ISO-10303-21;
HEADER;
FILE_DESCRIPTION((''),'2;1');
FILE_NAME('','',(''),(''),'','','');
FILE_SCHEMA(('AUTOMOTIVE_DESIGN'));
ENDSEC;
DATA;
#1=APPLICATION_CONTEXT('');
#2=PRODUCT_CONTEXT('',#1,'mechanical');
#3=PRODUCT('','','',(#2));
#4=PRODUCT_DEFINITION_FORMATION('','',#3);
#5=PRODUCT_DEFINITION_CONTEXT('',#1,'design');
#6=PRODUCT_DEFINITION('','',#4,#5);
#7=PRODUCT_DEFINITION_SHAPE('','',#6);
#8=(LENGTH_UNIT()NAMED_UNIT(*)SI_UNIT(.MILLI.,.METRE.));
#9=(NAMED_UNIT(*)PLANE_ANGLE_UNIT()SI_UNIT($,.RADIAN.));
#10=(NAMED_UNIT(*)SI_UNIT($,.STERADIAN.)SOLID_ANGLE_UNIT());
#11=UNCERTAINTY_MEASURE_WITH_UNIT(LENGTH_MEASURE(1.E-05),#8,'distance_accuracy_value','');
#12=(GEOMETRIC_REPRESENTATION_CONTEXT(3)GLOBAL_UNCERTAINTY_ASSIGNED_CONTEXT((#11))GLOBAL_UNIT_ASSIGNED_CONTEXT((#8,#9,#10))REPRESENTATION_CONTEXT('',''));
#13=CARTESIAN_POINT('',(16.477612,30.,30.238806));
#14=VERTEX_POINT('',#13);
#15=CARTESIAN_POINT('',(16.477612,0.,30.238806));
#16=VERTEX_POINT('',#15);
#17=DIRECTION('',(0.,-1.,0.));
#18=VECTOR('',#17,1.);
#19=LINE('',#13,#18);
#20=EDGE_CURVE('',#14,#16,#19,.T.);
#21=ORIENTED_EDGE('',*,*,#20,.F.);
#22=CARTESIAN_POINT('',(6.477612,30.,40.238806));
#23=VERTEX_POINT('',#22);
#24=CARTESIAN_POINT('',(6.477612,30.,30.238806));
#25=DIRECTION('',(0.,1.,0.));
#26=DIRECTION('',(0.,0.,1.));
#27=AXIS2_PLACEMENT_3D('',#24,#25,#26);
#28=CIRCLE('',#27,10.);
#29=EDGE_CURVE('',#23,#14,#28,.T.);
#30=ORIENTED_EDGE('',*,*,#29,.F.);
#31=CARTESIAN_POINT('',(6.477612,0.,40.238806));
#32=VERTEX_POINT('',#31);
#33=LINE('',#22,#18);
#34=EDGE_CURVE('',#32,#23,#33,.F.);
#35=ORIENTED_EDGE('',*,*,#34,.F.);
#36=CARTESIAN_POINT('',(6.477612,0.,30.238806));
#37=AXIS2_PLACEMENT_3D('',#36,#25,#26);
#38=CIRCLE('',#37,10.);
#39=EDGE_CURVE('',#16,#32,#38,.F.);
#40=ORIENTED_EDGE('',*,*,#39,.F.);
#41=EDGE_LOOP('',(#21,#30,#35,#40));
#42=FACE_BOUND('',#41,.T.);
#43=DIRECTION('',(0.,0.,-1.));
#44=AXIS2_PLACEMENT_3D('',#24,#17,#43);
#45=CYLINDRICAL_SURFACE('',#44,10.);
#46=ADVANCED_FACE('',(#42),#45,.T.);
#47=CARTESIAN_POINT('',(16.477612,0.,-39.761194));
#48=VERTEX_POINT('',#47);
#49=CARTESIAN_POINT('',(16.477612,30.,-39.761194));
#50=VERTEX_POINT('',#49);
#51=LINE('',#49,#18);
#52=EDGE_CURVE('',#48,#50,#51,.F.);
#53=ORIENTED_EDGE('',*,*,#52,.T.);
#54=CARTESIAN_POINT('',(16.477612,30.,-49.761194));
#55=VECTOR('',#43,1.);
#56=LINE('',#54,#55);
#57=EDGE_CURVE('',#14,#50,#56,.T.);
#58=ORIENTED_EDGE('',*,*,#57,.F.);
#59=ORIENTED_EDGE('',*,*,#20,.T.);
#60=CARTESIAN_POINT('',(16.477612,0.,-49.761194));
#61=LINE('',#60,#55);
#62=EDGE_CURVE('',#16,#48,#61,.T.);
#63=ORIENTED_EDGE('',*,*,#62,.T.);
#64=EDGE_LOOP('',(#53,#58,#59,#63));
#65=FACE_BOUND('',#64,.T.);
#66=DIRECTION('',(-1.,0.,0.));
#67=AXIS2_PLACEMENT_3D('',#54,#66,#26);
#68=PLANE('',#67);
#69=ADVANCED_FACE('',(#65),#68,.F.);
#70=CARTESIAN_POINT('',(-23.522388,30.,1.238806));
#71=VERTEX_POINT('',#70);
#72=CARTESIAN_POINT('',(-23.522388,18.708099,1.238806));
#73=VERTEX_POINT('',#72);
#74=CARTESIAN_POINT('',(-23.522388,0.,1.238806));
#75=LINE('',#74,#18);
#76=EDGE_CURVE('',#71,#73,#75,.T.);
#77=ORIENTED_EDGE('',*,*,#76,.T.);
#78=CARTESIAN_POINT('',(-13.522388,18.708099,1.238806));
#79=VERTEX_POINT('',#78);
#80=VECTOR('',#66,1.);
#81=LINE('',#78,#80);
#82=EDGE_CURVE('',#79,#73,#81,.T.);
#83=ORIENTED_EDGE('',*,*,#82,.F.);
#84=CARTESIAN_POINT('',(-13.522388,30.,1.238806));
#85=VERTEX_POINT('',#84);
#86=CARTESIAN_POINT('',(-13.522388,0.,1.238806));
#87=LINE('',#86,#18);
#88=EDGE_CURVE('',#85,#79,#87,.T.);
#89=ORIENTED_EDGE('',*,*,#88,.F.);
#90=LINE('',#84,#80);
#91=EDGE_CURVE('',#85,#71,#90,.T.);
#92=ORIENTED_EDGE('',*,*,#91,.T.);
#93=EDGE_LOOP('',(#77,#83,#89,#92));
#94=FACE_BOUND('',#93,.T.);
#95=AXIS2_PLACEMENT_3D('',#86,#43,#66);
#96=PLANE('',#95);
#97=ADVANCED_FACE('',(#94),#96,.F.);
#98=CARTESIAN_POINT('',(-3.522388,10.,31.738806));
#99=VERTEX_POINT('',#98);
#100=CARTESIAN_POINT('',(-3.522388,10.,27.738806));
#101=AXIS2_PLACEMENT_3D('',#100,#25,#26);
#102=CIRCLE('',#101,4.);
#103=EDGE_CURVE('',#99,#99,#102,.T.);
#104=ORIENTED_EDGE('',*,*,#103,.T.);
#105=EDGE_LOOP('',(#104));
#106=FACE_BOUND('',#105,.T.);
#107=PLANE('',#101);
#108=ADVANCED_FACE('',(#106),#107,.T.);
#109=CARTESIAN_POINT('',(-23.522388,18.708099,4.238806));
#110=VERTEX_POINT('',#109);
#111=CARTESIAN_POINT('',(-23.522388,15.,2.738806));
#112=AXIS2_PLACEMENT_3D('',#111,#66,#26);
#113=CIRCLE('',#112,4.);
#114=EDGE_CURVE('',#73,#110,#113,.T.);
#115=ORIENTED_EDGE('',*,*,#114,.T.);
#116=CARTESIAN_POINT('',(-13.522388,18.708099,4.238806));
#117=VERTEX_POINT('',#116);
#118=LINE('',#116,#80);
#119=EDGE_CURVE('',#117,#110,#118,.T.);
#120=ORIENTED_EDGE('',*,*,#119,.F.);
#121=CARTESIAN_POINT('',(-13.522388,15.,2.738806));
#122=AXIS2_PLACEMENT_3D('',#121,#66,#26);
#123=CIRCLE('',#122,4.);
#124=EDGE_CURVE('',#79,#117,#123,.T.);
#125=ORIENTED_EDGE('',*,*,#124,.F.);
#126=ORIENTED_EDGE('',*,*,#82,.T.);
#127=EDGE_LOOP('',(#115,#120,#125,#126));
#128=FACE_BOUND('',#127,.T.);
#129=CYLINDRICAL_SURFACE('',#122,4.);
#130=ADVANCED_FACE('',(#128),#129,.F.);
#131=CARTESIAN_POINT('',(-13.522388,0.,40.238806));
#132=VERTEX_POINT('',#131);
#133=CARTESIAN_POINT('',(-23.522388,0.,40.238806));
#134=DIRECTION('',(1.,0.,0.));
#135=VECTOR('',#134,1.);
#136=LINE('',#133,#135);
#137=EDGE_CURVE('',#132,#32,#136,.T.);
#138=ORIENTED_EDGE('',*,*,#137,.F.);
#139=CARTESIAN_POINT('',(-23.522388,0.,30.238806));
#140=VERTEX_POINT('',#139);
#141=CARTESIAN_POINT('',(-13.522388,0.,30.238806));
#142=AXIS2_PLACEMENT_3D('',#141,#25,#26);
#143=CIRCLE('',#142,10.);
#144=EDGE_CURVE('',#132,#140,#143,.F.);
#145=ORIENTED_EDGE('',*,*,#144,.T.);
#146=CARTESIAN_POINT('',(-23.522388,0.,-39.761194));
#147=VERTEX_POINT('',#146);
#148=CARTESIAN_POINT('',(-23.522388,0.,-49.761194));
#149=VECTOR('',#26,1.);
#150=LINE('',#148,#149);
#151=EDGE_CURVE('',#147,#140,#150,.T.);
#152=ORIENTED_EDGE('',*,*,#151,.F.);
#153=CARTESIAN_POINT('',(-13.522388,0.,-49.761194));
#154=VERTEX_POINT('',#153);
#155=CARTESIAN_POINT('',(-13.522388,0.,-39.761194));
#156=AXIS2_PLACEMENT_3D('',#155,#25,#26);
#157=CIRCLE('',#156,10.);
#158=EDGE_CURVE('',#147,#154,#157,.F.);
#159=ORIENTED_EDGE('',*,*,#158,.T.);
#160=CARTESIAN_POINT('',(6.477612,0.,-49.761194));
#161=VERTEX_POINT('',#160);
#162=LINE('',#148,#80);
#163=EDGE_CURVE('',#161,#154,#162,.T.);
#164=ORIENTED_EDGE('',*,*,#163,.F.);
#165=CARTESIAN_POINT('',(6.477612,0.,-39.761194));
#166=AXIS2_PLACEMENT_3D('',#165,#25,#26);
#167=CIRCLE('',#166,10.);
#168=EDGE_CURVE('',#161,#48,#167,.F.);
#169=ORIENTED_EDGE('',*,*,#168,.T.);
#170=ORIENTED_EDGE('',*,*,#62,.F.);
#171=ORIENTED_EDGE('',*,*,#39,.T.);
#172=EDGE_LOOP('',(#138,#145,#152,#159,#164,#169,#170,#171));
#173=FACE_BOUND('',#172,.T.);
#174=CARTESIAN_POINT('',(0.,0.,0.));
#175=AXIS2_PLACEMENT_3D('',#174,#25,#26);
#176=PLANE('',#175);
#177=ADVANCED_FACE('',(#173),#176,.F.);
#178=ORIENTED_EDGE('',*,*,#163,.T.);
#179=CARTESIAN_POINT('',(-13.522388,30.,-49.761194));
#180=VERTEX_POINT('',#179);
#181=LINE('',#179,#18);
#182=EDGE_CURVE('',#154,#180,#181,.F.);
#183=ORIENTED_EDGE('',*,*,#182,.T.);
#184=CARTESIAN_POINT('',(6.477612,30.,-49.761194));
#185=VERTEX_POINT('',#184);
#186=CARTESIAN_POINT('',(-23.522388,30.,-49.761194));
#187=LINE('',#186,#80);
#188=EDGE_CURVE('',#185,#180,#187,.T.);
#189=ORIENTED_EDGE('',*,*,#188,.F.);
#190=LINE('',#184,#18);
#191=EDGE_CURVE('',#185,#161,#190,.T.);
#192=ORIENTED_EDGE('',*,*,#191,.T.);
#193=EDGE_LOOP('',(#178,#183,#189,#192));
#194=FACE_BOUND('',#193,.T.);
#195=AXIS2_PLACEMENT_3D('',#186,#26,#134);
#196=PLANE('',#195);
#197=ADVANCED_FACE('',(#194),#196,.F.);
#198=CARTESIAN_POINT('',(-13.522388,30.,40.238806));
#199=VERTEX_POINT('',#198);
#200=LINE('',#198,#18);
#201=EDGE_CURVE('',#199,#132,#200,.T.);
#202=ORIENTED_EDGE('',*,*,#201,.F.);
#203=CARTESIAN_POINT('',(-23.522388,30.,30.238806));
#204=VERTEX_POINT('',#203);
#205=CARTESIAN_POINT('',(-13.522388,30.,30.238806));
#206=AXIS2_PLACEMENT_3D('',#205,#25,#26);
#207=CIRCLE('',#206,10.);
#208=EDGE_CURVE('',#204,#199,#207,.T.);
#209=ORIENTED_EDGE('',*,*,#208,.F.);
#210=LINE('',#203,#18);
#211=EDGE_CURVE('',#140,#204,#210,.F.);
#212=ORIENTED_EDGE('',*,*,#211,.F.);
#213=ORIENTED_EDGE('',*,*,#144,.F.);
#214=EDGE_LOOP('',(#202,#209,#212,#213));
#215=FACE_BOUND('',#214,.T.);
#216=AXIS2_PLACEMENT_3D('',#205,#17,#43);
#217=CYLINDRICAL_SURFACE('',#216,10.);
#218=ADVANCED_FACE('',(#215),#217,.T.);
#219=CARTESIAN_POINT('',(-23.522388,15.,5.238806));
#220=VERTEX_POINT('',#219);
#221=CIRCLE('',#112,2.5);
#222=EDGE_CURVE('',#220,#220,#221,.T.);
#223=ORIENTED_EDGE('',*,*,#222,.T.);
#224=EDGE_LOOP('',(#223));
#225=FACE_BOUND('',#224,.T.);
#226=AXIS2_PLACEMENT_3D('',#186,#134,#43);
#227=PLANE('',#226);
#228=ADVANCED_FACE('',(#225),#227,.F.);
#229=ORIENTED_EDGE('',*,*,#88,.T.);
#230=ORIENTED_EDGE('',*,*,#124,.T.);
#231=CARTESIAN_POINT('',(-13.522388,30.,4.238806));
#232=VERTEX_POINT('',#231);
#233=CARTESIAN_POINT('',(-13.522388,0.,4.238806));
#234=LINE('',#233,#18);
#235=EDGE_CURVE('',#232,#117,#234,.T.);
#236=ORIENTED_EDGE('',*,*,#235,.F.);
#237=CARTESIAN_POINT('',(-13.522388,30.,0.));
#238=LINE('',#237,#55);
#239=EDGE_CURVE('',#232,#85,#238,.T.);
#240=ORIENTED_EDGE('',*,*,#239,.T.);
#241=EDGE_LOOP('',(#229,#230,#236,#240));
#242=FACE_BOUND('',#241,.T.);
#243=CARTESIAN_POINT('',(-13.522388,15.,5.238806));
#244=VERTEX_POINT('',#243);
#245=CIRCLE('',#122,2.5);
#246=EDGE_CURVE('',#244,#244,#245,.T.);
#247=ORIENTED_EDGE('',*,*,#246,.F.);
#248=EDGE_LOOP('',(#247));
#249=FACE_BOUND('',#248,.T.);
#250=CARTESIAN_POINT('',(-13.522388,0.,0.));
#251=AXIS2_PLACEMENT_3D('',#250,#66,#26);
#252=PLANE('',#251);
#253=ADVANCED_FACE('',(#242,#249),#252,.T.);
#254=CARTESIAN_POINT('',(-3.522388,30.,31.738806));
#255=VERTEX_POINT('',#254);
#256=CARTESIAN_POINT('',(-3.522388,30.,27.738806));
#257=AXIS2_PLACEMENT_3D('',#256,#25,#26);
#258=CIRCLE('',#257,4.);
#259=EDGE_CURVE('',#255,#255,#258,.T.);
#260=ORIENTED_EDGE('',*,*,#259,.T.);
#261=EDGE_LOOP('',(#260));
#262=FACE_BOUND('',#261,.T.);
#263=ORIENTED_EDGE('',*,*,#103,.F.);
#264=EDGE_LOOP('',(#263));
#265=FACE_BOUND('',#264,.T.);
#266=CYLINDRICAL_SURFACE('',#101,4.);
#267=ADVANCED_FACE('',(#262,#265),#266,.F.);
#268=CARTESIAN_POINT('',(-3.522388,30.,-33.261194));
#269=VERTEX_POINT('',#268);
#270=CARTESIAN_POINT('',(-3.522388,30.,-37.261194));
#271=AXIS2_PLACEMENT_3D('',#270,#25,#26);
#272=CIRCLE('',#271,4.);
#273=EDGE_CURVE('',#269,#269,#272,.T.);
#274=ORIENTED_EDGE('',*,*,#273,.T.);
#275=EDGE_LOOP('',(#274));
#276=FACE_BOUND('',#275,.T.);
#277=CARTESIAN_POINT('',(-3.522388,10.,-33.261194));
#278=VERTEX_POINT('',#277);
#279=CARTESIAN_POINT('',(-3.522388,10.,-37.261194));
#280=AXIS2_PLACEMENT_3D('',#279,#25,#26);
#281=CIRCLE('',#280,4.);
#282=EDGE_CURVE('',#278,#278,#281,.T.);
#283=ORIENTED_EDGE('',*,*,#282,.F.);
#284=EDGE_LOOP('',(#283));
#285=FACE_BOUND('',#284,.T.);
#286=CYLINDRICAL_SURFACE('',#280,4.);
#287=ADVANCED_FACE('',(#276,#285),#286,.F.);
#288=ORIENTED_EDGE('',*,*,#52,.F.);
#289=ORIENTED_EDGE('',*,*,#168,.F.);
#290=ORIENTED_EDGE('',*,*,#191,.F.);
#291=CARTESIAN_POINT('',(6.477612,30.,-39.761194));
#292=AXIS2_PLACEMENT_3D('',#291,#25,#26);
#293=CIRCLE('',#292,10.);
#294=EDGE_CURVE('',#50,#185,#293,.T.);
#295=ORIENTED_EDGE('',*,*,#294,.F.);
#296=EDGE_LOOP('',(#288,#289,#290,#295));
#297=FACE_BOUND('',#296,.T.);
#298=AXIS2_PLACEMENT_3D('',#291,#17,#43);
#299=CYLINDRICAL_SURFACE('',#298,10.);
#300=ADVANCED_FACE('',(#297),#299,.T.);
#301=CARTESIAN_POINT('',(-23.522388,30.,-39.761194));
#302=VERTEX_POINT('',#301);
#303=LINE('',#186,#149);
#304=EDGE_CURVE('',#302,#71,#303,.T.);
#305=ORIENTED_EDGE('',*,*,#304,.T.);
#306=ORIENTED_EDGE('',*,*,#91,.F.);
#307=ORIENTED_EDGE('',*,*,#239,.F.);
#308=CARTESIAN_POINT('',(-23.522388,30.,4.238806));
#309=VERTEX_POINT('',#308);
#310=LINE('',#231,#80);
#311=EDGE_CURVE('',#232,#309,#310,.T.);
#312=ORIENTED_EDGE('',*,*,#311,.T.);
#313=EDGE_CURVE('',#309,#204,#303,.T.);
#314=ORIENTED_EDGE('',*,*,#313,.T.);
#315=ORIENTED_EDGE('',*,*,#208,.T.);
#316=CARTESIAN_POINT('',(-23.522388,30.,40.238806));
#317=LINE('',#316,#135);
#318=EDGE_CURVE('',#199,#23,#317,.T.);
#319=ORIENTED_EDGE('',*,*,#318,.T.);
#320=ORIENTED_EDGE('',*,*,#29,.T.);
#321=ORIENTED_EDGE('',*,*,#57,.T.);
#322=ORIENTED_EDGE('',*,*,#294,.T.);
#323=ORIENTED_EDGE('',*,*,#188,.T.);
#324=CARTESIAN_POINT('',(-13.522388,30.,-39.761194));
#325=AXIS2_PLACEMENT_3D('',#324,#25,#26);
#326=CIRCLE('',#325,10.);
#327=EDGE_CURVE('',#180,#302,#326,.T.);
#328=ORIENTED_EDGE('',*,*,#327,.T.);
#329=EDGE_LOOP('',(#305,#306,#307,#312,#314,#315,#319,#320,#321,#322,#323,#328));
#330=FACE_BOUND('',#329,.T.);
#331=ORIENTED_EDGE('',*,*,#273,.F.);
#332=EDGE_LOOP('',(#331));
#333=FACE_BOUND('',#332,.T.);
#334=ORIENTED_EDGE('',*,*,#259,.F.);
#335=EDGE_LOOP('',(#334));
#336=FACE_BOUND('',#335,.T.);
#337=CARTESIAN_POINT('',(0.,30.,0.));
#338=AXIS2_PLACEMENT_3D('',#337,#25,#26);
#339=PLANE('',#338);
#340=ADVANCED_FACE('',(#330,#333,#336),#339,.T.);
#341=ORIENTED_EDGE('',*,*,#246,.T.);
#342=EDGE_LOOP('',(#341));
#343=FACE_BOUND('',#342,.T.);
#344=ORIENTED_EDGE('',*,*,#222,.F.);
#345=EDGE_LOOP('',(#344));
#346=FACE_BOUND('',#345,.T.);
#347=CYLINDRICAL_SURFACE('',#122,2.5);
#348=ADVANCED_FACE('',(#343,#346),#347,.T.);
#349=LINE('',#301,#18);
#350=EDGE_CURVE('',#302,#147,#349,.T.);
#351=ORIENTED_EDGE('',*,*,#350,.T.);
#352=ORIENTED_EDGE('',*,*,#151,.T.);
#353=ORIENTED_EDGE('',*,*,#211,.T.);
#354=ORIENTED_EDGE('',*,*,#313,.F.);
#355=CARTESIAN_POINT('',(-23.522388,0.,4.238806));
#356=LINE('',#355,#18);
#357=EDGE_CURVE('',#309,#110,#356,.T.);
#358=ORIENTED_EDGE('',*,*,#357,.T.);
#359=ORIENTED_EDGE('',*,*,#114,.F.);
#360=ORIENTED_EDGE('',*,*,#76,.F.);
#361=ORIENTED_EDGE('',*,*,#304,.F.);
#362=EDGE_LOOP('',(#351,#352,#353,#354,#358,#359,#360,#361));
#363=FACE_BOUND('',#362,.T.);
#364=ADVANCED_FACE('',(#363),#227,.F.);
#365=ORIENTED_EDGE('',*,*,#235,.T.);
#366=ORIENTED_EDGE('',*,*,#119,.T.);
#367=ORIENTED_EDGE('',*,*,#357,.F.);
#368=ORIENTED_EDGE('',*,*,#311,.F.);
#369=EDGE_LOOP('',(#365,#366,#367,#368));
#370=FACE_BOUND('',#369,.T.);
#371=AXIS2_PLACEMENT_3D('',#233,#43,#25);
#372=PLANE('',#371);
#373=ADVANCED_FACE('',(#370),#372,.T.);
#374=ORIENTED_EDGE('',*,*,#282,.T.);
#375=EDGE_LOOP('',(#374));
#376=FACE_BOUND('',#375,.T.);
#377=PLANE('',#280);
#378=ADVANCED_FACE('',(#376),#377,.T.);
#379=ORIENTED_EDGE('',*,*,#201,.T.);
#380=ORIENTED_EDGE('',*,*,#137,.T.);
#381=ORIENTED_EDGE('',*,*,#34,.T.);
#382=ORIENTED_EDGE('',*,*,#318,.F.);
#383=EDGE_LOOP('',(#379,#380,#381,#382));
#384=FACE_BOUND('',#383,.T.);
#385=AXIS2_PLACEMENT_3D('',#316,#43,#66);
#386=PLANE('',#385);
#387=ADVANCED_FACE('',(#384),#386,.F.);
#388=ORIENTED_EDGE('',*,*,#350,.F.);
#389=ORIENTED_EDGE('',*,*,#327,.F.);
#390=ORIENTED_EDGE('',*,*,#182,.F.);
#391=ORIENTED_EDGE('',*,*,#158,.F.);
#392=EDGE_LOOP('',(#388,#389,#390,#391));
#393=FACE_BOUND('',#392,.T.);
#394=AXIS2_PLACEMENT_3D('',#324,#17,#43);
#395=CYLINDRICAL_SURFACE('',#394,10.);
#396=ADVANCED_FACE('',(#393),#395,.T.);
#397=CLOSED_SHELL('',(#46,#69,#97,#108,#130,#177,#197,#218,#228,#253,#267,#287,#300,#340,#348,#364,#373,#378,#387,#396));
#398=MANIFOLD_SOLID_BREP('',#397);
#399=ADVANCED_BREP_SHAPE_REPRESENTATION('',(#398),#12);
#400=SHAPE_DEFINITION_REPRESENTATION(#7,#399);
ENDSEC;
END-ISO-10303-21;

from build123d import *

# Parameters (mm, degrees)
SKETCH2_W           = 40
SKETCH2_H           = 90
BOSS_EXTRUDE1_DEPTH = 30
SKETCH3_R           = 4
CUT_EXTRUDE1_DEPTH  = 20
SKETCH4_R           = 4
SKETCH4_R_2         = 2.5
SKETCH4_W           = 3
SKETCH4_H           = 12
CUT_EXTRUDE2_DEPTH  = 10
FILLET1_R           = 10


with BuildPart() as part:
    # Sketch2 → Boss-Extrude1 (new body)
    with BuildSketch(Plane(origin=(0, 0, 0), x_dir=(1, 0, 0), z_dir=(0, 1, 0))):
        with Locations((-3.52238806, 4.76119403)):
            Rectangle(SKETCH2_W, SKETCH2_H)
    extrude(amount=BOSS_EXTRUDE1_DEPTH)

    # Sketch3 → Cut-Extrude1 (cut)
    with BuildSketch(Plane(origin=(0, 30, 0), x_dir=(1, 0, 0), z_dir=(0, 1, 0))):
        with Locations((-3.52238806, 37.26119403)):
            Circle(SKETCH3_R)
        with Locations((-3.52238806, -27.73880597)):
            Circle(SKETCH3_R)
    extrude(amount=-CUT_EXTRUDE1_DEPTH, mode=Mode.SUBTRACT)

    # Sketch4 → Cut-Extrude2 (cut)
    with BuildSketch(Plane.ZY.offset(23.52238806)):
        with Locations((2.73880597, 15)):
            Circle(SKETCH4_R)
        with Locations((2.73880597, 15)):
            Circle(SKETCH4_R_2, mode=Mode.SUBTRACT)
        with Locations((2.73880597, 24)):
            Rectangle(SKETCH4_W, SKETCH4_H)
    extrude(amount=-CUT_EXTRUDE2_DEPTH, mode=Mode.SUBTRACT)

    # Fillet1
    fillet1_edges = [part.edges().sort_by_distance(p)[0] for p in [
        (-23.52238806, 15, -49.76119403),
        (16.47761194, 15, -49.76119403),
        (16.47761194, 15, 40.23880597),
        (-23.52238806, 15, 40.23880597),
    ]]
    fillet(fillet1_edges, radius=FILLET1_R)


solid = part.part
